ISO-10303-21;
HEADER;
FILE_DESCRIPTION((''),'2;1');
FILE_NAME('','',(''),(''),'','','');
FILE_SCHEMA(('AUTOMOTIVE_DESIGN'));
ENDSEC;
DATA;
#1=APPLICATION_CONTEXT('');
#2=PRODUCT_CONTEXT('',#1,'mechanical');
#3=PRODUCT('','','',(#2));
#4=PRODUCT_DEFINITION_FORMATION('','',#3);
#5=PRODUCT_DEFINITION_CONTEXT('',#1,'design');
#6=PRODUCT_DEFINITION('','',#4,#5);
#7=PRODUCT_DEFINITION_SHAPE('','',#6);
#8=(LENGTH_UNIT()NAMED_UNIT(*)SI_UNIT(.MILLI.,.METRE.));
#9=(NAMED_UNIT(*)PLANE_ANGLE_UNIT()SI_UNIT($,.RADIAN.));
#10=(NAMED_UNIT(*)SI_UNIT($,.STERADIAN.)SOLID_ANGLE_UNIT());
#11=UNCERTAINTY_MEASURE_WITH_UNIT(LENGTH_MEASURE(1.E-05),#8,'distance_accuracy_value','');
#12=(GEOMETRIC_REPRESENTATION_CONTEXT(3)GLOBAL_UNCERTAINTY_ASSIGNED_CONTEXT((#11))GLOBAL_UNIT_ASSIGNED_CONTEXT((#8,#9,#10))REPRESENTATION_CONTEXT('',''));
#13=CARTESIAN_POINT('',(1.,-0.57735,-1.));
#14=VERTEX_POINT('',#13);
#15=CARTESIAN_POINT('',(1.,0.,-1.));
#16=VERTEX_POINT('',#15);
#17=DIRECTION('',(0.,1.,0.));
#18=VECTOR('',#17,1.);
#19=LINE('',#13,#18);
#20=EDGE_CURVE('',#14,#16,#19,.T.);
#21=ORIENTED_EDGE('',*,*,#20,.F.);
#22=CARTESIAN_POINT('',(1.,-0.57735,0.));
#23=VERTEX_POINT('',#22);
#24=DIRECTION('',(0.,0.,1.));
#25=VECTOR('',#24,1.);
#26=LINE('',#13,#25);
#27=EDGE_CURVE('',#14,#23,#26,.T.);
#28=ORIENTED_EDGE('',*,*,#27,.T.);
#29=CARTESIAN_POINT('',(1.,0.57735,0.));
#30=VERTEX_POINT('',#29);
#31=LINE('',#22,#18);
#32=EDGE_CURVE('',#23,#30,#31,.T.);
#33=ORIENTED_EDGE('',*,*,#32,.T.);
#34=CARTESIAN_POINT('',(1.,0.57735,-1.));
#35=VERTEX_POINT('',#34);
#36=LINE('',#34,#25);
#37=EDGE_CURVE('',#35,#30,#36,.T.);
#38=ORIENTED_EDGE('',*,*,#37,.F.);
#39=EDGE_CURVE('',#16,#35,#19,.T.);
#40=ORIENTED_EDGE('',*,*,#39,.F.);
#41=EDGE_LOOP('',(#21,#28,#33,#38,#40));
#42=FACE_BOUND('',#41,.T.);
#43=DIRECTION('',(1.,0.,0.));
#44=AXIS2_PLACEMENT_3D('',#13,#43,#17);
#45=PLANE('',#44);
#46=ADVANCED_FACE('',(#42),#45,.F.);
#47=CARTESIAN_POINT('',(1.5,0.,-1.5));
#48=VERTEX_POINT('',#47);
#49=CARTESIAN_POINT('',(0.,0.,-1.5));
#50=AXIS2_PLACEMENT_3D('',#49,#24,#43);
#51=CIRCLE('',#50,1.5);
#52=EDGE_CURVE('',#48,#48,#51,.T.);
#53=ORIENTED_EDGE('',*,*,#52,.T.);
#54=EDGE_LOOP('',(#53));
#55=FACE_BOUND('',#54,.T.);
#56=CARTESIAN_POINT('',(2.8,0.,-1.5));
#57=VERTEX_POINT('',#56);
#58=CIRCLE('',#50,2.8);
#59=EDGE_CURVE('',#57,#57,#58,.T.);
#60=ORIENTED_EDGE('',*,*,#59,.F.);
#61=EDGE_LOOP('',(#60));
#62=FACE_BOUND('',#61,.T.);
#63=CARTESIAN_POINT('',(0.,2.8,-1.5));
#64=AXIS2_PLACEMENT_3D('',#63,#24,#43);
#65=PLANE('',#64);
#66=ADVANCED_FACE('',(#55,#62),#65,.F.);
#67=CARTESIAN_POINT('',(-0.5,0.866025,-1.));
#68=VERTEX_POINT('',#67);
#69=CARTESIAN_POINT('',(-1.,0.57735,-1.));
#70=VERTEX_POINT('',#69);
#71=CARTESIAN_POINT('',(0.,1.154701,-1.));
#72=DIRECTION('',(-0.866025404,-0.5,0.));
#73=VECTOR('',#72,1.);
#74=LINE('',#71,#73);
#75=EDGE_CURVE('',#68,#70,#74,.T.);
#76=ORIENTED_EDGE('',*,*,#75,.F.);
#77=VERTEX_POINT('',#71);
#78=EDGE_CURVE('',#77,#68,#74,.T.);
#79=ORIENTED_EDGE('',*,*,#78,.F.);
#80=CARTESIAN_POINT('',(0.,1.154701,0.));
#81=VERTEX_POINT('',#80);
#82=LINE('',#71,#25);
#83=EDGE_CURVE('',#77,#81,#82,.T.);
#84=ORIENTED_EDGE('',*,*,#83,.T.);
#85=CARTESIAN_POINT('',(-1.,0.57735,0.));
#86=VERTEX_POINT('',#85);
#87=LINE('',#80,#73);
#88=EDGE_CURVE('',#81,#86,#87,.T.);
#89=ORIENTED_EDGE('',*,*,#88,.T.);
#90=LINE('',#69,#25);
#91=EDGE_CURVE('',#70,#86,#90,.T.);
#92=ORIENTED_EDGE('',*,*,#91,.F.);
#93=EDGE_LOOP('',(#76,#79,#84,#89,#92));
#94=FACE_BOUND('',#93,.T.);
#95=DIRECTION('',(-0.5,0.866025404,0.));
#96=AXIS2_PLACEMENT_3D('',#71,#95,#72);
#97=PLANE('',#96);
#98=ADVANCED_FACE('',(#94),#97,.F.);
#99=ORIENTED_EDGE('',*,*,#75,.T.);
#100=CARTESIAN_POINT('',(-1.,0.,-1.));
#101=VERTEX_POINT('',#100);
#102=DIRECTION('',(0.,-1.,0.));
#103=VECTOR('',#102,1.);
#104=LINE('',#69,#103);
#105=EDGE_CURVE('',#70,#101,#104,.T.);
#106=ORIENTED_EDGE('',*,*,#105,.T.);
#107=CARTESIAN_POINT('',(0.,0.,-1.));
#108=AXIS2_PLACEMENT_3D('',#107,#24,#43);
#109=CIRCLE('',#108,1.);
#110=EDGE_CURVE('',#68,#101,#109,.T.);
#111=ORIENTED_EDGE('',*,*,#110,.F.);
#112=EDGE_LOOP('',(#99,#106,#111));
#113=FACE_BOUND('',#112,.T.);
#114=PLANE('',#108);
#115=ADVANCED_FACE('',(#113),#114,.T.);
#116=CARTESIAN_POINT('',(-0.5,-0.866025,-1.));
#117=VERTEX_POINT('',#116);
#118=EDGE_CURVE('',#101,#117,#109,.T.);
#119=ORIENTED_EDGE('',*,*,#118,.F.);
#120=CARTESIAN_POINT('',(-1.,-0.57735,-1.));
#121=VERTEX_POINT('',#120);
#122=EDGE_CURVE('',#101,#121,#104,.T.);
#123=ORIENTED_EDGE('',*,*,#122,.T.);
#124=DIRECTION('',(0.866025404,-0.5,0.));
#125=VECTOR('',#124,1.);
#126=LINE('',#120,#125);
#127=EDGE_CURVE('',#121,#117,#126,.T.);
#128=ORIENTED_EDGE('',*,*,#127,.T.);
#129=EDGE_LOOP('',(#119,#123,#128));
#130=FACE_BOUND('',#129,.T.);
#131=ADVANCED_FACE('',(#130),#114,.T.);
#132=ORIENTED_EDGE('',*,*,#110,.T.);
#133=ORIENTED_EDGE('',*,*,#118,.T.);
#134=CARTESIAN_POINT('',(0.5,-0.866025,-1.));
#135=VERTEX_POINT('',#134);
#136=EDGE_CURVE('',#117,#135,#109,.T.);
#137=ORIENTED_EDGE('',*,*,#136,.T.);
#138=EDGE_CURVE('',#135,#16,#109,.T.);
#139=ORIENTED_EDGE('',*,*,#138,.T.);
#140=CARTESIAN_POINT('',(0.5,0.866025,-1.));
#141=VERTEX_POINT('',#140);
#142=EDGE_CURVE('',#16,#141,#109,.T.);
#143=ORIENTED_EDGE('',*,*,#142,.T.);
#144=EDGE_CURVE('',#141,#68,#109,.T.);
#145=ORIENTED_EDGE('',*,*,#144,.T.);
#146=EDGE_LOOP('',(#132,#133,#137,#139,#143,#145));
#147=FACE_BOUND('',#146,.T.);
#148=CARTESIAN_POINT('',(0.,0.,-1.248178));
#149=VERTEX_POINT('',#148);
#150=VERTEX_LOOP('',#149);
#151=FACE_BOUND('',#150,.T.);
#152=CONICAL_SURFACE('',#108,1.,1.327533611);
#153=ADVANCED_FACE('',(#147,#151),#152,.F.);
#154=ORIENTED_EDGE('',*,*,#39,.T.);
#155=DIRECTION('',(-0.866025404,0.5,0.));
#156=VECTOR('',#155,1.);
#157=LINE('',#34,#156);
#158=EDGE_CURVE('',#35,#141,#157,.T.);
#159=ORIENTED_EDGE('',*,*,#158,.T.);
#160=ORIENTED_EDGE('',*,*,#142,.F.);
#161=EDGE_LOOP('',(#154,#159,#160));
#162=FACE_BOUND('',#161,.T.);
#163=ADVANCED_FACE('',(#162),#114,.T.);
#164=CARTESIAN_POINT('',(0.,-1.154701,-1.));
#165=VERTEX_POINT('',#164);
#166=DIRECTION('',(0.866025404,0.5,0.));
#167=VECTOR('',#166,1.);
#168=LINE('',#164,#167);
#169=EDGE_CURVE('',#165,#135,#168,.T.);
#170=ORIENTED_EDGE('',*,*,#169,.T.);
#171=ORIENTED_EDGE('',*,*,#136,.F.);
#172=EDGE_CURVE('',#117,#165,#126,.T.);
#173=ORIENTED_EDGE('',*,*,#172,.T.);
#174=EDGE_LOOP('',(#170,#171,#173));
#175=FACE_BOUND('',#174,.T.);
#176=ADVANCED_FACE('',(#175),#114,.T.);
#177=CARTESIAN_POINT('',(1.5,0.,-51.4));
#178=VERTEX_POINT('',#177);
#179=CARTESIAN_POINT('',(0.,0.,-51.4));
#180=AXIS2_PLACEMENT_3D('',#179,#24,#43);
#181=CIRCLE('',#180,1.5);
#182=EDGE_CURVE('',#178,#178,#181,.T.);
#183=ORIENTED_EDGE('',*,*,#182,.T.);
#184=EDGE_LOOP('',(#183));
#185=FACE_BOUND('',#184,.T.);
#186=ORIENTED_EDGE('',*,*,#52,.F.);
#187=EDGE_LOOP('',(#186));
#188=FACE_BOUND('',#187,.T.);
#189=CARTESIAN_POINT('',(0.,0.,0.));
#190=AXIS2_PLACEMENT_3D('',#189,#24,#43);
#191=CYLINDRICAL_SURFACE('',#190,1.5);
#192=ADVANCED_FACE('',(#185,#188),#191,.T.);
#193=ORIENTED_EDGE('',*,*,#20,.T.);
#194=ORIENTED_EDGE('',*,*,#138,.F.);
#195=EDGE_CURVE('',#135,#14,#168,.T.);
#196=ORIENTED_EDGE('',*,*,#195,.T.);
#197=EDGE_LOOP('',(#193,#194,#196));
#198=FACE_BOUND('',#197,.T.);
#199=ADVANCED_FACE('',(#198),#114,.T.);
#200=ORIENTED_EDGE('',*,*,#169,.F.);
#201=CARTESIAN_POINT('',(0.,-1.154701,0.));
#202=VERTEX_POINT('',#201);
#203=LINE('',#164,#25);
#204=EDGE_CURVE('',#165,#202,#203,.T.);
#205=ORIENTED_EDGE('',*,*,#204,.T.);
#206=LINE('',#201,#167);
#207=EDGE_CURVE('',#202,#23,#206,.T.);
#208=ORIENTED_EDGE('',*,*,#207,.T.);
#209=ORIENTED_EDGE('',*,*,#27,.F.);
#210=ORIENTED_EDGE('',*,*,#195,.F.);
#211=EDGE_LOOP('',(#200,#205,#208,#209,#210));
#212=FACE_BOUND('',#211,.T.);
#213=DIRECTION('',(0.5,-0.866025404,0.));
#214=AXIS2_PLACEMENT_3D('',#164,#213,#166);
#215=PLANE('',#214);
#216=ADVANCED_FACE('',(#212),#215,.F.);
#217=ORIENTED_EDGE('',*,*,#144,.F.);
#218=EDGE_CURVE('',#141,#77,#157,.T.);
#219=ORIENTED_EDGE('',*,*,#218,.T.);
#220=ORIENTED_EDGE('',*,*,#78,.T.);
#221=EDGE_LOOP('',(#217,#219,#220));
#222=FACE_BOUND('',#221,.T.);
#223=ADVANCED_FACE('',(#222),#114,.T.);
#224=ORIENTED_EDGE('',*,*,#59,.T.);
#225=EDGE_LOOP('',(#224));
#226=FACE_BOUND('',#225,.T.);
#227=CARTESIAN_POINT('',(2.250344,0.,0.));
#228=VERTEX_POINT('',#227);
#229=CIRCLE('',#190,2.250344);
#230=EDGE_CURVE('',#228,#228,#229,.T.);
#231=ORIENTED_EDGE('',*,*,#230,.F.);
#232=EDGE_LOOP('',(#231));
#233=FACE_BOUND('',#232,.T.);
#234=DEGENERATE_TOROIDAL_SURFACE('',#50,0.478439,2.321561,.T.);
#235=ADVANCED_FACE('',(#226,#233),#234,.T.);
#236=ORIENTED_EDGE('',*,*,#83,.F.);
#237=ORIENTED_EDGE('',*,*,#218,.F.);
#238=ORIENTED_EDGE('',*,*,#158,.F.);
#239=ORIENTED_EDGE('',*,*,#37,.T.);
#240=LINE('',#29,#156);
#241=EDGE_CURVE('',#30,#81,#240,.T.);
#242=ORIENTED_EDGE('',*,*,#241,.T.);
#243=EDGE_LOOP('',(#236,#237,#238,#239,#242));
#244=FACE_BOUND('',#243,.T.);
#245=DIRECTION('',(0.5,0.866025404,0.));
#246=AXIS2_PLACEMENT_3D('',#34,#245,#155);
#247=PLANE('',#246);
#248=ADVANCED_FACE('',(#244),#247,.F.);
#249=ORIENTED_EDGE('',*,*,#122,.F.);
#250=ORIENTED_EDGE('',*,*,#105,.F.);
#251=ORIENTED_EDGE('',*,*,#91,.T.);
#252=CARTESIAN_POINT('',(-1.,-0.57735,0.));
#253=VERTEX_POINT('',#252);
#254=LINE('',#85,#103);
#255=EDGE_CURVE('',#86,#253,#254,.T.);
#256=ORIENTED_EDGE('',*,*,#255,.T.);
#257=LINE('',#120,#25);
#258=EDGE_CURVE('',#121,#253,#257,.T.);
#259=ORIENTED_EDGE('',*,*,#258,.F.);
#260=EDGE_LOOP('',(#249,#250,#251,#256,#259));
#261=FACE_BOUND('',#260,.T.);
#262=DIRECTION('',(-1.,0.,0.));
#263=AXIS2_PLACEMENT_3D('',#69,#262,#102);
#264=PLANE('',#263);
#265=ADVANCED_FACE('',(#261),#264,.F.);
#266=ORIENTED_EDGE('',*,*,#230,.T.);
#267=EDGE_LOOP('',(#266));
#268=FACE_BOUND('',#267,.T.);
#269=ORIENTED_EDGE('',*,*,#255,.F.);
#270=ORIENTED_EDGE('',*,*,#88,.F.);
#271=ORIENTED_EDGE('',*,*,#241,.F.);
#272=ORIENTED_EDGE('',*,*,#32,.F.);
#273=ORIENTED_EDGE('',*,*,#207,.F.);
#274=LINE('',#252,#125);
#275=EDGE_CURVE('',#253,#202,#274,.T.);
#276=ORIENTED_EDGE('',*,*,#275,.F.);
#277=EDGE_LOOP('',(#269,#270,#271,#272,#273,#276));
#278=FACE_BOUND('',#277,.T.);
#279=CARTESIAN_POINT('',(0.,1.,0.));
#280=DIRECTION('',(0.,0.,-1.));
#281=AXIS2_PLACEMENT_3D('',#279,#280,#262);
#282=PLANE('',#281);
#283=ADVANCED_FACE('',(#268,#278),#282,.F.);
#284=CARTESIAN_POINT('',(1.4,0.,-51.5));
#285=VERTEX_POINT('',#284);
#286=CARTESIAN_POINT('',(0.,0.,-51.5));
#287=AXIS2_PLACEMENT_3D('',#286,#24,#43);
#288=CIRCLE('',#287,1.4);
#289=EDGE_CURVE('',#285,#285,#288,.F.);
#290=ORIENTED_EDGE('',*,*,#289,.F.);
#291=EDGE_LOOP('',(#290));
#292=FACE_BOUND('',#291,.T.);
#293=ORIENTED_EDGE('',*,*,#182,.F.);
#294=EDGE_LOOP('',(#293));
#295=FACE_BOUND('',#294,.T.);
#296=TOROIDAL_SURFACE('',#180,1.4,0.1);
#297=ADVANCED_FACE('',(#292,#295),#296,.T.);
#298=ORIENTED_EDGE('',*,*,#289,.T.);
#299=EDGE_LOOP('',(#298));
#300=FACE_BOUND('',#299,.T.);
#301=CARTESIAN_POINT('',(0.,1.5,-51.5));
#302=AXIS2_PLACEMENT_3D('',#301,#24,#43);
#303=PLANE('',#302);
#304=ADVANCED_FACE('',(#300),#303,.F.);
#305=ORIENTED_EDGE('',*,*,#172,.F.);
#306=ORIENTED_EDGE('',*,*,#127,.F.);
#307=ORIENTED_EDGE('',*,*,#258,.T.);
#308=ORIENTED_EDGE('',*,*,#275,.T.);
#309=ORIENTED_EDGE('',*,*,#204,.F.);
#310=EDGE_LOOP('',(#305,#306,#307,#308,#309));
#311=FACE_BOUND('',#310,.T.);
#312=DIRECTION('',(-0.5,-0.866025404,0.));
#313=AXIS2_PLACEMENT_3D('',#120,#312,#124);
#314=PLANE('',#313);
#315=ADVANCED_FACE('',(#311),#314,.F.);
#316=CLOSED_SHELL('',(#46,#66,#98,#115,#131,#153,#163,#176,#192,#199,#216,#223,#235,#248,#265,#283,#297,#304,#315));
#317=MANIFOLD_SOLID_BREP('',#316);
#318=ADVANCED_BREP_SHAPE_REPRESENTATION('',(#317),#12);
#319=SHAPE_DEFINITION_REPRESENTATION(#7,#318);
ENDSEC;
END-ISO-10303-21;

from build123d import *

# Parameters (mm, degrees)
CUT_EXTRUDE_1_DEPTH = 1
FILLET_1_R          = 0.1


with BuildPart() as part:
    # 草图1 → 旋转2 (revolve)
    with BuildSketch(Plane(origin=(0, 0, 0), x_dir=(0, 0, -1), z_dir=(1, 0, 0))):
        with BuildLine():
            Line((0, 2.250343623), (0, 1))
            Line((0, 1), (0, 0))
            Line((0, 0), (1, 0))
            Line((1, 0), (1, 1))
            Line((1, 1), (1.248177586, 0))
            Line((1.248177586, 0), (51.5, 0))
            Line((51.5, 0), (51.5, 1.5))
            Line((51.5, 1.5), (1.5, 1.5))
            Line((1.5, 1.5), (1.5, 2.8))
            ThreePointArc((1.5, 2.8), (0.701231865, 2.658258964), (0, 2.250343623))
        make_face()
    revolve(axis=Axis((0, 0, 0), (0, 0, -1)))

    # 草图2 → 切除-拉伸1 (cut)
    with BuildSketch(Plane.XY):
        Polygon((0, 1.154700538), (-1, 0.577350269), (-1, -0.577350269), (0, -1.154700538), (1, -0.577350269), (1, 0.577350269), align=None)
    extrude(amount=-CUT_EXTRUDE_1_DEPTH, mode=Mode.SUBTRACT)

    # 圆角1
    fillet_1_edges = [part.edges().sort_by_distance(p)[0] for p in [
        (0, -1.5, -51.5),
    ]]
    fillet(fillet_1_edges, radius=FILLET_1_R)


solid = part.part
